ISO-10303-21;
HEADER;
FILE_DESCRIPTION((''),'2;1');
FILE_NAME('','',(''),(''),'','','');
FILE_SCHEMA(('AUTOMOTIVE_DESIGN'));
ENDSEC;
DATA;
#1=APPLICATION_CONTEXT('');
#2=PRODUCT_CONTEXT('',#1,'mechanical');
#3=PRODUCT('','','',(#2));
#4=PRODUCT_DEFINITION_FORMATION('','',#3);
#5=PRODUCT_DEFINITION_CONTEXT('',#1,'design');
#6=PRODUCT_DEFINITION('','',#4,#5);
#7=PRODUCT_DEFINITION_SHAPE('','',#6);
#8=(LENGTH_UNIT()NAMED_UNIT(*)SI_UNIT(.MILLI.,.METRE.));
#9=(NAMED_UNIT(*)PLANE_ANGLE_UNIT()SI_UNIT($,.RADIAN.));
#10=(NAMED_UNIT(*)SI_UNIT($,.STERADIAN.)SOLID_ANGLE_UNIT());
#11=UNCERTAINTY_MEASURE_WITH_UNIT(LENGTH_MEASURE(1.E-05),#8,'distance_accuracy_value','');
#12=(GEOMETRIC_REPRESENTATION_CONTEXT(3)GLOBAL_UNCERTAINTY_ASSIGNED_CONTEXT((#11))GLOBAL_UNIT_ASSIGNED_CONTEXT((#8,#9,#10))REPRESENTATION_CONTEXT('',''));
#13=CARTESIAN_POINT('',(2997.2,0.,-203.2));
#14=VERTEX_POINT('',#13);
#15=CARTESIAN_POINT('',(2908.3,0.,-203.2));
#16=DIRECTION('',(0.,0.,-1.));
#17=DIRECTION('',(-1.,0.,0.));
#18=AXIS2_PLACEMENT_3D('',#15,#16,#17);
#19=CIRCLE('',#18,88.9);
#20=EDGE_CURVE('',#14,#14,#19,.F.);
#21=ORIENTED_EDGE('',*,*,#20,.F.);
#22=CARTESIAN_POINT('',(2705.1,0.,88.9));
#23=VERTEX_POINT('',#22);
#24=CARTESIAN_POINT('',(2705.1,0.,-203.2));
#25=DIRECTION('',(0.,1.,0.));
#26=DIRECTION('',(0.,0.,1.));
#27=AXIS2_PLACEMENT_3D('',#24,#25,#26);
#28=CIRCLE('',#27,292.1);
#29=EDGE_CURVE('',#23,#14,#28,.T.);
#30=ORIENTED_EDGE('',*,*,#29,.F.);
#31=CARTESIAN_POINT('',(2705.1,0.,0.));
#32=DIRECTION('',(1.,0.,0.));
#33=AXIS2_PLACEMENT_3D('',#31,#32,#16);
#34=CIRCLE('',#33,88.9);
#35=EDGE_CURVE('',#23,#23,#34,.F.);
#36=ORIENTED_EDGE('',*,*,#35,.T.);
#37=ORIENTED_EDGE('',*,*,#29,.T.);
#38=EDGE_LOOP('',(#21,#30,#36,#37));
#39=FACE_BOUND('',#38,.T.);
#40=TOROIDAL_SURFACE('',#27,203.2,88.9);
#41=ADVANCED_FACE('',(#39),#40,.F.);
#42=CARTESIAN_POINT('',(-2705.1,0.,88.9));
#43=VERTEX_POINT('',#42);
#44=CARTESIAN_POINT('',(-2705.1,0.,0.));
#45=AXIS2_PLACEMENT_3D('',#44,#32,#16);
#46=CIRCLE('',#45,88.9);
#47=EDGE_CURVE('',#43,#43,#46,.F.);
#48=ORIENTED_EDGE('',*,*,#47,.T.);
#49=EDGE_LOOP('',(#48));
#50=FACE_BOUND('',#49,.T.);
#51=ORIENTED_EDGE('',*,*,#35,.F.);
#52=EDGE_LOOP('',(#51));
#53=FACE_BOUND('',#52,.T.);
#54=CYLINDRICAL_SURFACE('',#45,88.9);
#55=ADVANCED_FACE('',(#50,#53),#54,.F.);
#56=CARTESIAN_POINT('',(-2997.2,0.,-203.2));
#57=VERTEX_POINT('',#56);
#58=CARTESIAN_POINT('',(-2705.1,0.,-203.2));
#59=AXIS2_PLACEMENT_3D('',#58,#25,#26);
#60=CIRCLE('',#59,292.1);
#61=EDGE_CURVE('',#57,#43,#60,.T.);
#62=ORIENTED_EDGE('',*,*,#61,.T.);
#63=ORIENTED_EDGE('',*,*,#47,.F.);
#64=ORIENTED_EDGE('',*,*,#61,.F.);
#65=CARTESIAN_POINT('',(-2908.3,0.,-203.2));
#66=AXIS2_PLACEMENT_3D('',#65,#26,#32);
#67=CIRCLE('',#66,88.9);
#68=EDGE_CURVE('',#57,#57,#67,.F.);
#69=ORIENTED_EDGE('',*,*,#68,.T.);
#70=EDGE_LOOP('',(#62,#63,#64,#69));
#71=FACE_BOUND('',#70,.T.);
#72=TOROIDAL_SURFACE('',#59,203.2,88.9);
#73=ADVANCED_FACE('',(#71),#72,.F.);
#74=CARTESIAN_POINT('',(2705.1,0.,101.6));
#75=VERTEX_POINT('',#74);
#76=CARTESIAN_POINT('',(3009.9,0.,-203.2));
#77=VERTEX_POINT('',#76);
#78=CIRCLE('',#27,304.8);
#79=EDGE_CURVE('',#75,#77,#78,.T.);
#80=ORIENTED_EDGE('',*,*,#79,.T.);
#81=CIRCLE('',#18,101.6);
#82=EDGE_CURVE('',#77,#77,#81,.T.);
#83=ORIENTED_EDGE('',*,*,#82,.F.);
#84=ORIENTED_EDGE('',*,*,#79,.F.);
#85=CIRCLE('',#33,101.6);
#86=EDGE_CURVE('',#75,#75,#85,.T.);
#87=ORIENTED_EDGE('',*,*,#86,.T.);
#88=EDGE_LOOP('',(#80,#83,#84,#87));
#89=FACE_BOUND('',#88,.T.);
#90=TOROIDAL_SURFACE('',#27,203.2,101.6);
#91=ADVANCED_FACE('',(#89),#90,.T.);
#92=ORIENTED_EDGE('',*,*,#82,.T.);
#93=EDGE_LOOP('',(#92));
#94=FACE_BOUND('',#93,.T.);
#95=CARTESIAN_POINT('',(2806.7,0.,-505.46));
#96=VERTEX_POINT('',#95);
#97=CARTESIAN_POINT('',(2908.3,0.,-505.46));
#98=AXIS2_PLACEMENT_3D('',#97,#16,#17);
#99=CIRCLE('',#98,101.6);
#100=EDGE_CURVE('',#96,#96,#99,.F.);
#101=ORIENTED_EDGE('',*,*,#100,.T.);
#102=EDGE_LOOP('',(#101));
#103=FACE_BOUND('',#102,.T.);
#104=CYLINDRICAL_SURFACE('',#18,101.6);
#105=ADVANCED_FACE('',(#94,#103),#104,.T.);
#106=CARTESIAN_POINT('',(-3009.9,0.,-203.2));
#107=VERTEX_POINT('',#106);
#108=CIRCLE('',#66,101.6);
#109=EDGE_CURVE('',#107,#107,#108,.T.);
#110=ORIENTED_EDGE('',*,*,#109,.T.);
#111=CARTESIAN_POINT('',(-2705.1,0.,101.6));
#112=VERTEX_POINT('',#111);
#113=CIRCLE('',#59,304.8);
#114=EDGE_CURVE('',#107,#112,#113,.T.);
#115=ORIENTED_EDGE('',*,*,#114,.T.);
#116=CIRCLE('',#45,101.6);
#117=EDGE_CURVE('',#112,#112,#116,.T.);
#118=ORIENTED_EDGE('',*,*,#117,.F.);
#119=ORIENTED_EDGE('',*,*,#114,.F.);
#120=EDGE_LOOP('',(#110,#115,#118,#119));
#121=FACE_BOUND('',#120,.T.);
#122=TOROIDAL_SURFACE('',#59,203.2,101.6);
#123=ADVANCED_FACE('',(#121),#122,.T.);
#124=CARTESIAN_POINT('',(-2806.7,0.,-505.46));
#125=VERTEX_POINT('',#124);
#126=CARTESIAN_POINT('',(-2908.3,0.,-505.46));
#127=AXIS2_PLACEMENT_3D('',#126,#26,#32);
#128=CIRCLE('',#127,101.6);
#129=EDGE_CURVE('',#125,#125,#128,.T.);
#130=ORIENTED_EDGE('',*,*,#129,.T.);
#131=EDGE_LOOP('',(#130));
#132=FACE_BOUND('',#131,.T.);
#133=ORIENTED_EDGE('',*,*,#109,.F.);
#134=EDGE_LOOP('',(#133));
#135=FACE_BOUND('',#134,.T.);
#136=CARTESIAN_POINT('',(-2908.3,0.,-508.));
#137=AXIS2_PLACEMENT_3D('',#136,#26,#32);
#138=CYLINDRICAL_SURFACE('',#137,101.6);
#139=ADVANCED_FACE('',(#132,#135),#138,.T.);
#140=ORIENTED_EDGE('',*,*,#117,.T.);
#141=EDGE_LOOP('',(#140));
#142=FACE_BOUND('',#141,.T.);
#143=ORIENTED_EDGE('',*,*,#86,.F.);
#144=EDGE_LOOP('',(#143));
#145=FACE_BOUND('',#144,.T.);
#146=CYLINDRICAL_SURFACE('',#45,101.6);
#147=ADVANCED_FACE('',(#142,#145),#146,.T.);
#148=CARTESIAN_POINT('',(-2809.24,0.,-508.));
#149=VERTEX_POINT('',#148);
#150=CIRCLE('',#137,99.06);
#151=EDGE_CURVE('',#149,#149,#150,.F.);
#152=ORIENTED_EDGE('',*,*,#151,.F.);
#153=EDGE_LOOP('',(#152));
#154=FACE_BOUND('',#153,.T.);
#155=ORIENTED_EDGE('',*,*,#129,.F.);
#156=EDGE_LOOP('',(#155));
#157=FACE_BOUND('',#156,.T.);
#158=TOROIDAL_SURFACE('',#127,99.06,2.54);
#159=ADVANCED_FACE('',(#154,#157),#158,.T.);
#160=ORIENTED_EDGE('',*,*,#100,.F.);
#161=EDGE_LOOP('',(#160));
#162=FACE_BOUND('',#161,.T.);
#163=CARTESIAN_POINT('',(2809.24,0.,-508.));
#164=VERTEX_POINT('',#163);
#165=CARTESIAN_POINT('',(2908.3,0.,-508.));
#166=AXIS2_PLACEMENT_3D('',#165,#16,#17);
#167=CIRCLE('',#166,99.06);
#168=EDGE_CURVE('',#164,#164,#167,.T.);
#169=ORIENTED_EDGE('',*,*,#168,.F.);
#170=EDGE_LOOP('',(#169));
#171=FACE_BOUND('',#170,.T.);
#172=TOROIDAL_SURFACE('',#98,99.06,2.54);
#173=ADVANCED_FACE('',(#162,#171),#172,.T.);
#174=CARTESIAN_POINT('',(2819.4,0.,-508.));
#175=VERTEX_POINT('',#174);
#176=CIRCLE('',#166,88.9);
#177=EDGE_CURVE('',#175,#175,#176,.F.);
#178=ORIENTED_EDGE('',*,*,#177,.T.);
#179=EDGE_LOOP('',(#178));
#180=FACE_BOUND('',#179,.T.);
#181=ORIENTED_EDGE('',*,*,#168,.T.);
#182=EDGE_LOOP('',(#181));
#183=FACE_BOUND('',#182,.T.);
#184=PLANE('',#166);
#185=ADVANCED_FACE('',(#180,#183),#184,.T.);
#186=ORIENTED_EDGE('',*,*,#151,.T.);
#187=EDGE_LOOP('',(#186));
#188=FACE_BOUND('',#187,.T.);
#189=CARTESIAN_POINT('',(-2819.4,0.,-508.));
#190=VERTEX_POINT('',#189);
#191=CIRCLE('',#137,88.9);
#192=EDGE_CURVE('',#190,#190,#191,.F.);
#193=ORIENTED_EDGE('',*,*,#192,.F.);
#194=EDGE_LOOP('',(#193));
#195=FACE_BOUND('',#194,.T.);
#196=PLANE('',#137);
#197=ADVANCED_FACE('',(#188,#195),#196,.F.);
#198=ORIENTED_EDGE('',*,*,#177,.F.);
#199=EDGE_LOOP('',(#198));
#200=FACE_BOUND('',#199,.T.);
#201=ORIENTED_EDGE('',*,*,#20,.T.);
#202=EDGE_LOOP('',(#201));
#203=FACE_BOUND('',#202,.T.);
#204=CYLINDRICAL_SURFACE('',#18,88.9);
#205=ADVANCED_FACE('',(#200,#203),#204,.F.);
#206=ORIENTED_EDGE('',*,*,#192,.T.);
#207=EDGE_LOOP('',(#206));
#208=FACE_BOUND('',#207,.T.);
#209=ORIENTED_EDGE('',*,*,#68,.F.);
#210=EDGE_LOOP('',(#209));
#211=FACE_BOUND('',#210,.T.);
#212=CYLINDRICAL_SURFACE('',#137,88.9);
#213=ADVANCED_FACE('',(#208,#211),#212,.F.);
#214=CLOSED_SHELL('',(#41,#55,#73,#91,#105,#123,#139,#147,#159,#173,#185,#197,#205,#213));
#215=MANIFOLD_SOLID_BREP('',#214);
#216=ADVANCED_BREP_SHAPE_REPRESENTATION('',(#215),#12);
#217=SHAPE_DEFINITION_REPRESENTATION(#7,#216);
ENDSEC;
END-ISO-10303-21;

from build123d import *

# Parameters (mm, degrees)
SKETCH2_R   = 101.6
SKETCH2_R_2 = 88.9
FILLET1_R   = 2.54


with BuildPart() as part:
    # Sweep1: sweep along a path in Sketch1
    with BuildLine(Plane(origin=(0, 0, 0), x_dir=(1, 0, 0), z_dir=(0, 1, 0))) as sweep1_path:
        Line((-2908.3, 508), (-2908.3, 203.2))
        ThreePointArc((-2908.3, 203.2), (-2848.784097937, 59.515902063), (-2705.1, 0))
        Line((-2705.1, 0), (2705.1, 0))
        ThreePointArc((2705.1, 0), (2848.784097937, 59.515902063), (2908.3, 203.2))
        Line((2908.3, 203.2), (2908.3, 508))
    # Sketch2 → Sweep1 (sweep)
    with BuildSketch(Plane.XY.offset(-508)):
        with Locations((-2908.3, 0)):
            Circle(SKETCH2_R)
        with Locations((-2908.3, 0)):
            Circle(SKETCH2_R_2, mode=Mode.SUBTRACT)
    sweep(path=sweep1_path.line)

    # Fillet1
    fillet1_edges = [part.edges().sort_by_distance(p)[0] for p in [
        (3009.9, 0, -508),
        (-3009.9, 0, -508),
    ]]
    fillet(fillet1_edges, radius=FILLET1_R)


solid = part.part
